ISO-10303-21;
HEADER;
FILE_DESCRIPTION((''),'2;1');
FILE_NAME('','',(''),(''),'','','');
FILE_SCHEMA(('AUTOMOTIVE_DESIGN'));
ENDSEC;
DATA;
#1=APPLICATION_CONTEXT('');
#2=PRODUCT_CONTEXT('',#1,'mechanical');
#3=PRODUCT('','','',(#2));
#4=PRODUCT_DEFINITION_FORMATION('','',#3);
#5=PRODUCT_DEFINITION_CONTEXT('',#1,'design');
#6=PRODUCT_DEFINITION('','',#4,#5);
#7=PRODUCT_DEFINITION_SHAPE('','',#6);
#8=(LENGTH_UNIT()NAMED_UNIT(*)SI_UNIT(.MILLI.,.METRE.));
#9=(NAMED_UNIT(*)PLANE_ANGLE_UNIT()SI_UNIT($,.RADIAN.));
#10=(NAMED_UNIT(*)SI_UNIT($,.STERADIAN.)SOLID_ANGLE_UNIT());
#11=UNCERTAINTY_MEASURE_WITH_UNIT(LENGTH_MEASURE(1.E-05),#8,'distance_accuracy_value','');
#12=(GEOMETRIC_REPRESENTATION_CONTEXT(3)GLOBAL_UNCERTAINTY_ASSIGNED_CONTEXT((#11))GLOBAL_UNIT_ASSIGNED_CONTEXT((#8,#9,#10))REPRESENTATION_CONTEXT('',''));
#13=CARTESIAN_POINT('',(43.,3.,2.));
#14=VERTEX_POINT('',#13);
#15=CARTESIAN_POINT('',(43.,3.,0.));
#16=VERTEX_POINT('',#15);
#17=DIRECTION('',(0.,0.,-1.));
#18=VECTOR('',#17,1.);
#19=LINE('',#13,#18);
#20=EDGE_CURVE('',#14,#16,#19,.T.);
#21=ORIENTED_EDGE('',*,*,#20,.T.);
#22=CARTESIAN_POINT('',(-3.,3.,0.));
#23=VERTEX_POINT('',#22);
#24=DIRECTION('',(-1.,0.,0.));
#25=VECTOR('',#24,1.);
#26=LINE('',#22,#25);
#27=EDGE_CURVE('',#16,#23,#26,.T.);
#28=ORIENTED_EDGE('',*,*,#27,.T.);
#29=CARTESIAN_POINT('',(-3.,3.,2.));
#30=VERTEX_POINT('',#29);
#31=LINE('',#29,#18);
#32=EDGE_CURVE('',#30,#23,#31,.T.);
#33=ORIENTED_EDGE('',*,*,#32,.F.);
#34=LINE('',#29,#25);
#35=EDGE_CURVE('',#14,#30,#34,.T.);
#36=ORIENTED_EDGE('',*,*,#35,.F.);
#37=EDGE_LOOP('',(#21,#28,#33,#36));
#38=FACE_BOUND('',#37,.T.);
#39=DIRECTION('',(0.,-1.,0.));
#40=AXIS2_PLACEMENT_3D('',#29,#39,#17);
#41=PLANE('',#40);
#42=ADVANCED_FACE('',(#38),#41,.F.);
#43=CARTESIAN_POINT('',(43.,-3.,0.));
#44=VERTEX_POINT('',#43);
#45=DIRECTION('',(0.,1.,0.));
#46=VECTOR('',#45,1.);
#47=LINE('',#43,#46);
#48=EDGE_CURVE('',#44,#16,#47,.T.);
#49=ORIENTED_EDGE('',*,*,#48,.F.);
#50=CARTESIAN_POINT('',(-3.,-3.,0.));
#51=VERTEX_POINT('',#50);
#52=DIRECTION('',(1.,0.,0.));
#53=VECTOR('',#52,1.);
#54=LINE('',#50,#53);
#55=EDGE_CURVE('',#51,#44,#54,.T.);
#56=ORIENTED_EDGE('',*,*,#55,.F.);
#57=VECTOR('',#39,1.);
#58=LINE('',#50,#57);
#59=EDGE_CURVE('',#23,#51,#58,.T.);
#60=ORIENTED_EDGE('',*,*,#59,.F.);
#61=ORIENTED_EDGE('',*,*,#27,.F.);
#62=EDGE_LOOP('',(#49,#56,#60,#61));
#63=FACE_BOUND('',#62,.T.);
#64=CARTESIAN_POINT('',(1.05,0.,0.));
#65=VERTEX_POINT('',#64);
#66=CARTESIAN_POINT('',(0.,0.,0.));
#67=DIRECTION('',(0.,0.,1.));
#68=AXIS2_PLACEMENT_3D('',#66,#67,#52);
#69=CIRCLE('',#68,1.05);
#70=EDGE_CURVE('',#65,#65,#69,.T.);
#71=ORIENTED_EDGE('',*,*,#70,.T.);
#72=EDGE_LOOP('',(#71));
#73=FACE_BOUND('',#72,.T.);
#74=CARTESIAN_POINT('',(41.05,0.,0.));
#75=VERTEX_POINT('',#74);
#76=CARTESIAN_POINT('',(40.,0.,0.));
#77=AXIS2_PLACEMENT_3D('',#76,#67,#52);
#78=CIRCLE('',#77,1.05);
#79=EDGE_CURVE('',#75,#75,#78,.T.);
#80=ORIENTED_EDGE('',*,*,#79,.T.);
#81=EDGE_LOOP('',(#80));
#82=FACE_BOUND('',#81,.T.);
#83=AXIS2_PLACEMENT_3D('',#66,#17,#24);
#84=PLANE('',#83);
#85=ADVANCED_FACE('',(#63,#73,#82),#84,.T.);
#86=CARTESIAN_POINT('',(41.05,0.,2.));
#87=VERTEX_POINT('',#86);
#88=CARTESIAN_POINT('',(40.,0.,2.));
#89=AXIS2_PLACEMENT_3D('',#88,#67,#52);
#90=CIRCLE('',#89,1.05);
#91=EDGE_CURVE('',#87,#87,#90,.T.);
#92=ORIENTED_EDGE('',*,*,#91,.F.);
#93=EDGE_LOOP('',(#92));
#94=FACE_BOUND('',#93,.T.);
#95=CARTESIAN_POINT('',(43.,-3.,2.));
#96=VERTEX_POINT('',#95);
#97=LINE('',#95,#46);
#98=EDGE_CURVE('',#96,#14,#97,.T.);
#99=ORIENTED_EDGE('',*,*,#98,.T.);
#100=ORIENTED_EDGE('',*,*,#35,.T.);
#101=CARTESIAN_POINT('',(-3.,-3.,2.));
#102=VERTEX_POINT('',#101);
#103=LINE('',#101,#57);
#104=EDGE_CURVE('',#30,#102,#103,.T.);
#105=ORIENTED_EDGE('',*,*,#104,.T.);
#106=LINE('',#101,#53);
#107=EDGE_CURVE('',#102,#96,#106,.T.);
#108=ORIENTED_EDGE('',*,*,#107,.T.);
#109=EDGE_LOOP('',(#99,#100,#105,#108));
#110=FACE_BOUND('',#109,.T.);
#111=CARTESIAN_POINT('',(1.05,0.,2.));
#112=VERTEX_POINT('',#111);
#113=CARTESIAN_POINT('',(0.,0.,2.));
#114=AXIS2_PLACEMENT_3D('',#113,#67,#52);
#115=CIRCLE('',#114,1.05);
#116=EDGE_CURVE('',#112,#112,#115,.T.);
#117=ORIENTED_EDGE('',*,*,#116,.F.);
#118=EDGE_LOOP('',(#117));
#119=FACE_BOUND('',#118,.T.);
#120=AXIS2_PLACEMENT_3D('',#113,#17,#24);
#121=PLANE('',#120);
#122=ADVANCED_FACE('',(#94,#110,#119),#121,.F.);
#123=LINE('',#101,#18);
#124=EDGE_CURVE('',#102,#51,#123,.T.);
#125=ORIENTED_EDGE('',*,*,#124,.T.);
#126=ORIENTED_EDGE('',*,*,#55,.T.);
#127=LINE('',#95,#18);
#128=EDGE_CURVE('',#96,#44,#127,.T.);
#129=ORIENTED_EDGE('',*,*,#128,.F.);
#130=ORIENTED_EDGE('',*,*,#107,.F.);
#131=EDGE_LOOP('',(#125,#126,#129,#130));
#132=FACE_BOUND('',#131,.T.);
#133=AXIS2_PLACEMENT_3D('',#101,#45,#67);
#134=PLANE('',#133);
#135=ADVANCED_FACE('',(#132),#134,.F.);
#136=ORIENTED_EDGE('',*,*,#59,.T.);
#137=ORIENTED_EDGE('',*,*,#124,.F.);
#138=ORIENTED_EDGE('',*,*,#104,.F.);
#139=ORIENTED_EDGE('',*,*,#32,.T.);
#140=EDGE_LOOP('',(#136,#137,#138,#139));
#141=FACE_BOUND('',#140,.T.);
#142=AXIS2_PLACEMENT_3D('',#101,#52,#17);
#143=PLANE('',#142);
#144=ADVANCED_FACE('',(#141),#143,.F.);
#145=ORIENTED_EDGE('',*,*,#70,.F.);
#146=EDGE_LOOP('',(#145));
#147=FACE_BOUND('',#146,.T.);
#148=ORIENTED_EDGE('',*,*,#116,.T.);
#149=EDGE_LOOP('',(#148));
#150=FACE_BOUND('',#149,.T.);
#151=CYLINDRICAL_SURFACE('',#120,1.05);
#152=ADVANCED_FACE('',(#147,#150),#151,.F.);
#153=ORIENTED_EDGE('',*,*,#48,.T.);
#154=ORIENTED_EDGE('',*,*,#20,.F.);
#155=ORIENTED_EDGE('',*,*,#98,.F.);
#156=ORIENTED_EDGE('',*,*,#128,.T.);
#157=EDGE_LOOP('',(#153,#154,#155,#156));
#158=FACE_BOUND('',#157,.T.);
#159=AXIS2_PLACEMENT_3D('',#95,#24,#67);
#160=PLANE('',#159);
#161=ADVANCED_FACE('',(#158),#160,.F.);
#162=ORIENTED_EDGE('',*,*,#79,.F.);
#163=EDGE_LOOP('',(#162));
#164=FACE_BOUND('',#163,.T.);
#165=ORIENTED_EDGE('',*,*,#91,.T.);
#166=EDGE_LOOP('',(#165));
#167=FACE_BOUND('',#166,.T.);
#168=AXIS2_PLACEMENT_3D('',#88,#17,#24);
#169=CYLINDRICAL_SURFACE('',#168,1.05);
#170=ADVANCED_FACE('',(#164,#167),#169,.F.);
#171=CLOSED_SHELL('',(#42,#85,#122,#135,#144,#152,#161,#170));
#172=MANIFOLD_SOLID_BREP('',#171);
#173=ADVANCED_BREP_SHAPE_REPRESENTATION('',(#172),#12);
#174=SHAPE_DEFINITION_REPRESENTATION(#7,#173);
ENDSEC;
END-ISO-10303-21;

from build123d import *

# Parameters (mm, degrees)
SKETCH1_W      = 46
SKETCH1_H      = 6
SKETCH1_R      = 1.05
L40_LINK_DEPTH = 2


with BuildPart() as part:
    # Sketch1 → L40_Link (new body)
    with BuildSketch(Plane.XY):
        with Locations((20, 0)):
            Rectangle(SKETCH1_W, SKETCH1_H)
        Circle(SKETCH1_R, mode=Mode.SUBTRACT)
        with Locations((40, 0)):
            Circle(SKETCH1_R, mode=Mode.SUBTRACT)
    extrude(amount=L40_LINK_DEPTH)


solid = part.part
